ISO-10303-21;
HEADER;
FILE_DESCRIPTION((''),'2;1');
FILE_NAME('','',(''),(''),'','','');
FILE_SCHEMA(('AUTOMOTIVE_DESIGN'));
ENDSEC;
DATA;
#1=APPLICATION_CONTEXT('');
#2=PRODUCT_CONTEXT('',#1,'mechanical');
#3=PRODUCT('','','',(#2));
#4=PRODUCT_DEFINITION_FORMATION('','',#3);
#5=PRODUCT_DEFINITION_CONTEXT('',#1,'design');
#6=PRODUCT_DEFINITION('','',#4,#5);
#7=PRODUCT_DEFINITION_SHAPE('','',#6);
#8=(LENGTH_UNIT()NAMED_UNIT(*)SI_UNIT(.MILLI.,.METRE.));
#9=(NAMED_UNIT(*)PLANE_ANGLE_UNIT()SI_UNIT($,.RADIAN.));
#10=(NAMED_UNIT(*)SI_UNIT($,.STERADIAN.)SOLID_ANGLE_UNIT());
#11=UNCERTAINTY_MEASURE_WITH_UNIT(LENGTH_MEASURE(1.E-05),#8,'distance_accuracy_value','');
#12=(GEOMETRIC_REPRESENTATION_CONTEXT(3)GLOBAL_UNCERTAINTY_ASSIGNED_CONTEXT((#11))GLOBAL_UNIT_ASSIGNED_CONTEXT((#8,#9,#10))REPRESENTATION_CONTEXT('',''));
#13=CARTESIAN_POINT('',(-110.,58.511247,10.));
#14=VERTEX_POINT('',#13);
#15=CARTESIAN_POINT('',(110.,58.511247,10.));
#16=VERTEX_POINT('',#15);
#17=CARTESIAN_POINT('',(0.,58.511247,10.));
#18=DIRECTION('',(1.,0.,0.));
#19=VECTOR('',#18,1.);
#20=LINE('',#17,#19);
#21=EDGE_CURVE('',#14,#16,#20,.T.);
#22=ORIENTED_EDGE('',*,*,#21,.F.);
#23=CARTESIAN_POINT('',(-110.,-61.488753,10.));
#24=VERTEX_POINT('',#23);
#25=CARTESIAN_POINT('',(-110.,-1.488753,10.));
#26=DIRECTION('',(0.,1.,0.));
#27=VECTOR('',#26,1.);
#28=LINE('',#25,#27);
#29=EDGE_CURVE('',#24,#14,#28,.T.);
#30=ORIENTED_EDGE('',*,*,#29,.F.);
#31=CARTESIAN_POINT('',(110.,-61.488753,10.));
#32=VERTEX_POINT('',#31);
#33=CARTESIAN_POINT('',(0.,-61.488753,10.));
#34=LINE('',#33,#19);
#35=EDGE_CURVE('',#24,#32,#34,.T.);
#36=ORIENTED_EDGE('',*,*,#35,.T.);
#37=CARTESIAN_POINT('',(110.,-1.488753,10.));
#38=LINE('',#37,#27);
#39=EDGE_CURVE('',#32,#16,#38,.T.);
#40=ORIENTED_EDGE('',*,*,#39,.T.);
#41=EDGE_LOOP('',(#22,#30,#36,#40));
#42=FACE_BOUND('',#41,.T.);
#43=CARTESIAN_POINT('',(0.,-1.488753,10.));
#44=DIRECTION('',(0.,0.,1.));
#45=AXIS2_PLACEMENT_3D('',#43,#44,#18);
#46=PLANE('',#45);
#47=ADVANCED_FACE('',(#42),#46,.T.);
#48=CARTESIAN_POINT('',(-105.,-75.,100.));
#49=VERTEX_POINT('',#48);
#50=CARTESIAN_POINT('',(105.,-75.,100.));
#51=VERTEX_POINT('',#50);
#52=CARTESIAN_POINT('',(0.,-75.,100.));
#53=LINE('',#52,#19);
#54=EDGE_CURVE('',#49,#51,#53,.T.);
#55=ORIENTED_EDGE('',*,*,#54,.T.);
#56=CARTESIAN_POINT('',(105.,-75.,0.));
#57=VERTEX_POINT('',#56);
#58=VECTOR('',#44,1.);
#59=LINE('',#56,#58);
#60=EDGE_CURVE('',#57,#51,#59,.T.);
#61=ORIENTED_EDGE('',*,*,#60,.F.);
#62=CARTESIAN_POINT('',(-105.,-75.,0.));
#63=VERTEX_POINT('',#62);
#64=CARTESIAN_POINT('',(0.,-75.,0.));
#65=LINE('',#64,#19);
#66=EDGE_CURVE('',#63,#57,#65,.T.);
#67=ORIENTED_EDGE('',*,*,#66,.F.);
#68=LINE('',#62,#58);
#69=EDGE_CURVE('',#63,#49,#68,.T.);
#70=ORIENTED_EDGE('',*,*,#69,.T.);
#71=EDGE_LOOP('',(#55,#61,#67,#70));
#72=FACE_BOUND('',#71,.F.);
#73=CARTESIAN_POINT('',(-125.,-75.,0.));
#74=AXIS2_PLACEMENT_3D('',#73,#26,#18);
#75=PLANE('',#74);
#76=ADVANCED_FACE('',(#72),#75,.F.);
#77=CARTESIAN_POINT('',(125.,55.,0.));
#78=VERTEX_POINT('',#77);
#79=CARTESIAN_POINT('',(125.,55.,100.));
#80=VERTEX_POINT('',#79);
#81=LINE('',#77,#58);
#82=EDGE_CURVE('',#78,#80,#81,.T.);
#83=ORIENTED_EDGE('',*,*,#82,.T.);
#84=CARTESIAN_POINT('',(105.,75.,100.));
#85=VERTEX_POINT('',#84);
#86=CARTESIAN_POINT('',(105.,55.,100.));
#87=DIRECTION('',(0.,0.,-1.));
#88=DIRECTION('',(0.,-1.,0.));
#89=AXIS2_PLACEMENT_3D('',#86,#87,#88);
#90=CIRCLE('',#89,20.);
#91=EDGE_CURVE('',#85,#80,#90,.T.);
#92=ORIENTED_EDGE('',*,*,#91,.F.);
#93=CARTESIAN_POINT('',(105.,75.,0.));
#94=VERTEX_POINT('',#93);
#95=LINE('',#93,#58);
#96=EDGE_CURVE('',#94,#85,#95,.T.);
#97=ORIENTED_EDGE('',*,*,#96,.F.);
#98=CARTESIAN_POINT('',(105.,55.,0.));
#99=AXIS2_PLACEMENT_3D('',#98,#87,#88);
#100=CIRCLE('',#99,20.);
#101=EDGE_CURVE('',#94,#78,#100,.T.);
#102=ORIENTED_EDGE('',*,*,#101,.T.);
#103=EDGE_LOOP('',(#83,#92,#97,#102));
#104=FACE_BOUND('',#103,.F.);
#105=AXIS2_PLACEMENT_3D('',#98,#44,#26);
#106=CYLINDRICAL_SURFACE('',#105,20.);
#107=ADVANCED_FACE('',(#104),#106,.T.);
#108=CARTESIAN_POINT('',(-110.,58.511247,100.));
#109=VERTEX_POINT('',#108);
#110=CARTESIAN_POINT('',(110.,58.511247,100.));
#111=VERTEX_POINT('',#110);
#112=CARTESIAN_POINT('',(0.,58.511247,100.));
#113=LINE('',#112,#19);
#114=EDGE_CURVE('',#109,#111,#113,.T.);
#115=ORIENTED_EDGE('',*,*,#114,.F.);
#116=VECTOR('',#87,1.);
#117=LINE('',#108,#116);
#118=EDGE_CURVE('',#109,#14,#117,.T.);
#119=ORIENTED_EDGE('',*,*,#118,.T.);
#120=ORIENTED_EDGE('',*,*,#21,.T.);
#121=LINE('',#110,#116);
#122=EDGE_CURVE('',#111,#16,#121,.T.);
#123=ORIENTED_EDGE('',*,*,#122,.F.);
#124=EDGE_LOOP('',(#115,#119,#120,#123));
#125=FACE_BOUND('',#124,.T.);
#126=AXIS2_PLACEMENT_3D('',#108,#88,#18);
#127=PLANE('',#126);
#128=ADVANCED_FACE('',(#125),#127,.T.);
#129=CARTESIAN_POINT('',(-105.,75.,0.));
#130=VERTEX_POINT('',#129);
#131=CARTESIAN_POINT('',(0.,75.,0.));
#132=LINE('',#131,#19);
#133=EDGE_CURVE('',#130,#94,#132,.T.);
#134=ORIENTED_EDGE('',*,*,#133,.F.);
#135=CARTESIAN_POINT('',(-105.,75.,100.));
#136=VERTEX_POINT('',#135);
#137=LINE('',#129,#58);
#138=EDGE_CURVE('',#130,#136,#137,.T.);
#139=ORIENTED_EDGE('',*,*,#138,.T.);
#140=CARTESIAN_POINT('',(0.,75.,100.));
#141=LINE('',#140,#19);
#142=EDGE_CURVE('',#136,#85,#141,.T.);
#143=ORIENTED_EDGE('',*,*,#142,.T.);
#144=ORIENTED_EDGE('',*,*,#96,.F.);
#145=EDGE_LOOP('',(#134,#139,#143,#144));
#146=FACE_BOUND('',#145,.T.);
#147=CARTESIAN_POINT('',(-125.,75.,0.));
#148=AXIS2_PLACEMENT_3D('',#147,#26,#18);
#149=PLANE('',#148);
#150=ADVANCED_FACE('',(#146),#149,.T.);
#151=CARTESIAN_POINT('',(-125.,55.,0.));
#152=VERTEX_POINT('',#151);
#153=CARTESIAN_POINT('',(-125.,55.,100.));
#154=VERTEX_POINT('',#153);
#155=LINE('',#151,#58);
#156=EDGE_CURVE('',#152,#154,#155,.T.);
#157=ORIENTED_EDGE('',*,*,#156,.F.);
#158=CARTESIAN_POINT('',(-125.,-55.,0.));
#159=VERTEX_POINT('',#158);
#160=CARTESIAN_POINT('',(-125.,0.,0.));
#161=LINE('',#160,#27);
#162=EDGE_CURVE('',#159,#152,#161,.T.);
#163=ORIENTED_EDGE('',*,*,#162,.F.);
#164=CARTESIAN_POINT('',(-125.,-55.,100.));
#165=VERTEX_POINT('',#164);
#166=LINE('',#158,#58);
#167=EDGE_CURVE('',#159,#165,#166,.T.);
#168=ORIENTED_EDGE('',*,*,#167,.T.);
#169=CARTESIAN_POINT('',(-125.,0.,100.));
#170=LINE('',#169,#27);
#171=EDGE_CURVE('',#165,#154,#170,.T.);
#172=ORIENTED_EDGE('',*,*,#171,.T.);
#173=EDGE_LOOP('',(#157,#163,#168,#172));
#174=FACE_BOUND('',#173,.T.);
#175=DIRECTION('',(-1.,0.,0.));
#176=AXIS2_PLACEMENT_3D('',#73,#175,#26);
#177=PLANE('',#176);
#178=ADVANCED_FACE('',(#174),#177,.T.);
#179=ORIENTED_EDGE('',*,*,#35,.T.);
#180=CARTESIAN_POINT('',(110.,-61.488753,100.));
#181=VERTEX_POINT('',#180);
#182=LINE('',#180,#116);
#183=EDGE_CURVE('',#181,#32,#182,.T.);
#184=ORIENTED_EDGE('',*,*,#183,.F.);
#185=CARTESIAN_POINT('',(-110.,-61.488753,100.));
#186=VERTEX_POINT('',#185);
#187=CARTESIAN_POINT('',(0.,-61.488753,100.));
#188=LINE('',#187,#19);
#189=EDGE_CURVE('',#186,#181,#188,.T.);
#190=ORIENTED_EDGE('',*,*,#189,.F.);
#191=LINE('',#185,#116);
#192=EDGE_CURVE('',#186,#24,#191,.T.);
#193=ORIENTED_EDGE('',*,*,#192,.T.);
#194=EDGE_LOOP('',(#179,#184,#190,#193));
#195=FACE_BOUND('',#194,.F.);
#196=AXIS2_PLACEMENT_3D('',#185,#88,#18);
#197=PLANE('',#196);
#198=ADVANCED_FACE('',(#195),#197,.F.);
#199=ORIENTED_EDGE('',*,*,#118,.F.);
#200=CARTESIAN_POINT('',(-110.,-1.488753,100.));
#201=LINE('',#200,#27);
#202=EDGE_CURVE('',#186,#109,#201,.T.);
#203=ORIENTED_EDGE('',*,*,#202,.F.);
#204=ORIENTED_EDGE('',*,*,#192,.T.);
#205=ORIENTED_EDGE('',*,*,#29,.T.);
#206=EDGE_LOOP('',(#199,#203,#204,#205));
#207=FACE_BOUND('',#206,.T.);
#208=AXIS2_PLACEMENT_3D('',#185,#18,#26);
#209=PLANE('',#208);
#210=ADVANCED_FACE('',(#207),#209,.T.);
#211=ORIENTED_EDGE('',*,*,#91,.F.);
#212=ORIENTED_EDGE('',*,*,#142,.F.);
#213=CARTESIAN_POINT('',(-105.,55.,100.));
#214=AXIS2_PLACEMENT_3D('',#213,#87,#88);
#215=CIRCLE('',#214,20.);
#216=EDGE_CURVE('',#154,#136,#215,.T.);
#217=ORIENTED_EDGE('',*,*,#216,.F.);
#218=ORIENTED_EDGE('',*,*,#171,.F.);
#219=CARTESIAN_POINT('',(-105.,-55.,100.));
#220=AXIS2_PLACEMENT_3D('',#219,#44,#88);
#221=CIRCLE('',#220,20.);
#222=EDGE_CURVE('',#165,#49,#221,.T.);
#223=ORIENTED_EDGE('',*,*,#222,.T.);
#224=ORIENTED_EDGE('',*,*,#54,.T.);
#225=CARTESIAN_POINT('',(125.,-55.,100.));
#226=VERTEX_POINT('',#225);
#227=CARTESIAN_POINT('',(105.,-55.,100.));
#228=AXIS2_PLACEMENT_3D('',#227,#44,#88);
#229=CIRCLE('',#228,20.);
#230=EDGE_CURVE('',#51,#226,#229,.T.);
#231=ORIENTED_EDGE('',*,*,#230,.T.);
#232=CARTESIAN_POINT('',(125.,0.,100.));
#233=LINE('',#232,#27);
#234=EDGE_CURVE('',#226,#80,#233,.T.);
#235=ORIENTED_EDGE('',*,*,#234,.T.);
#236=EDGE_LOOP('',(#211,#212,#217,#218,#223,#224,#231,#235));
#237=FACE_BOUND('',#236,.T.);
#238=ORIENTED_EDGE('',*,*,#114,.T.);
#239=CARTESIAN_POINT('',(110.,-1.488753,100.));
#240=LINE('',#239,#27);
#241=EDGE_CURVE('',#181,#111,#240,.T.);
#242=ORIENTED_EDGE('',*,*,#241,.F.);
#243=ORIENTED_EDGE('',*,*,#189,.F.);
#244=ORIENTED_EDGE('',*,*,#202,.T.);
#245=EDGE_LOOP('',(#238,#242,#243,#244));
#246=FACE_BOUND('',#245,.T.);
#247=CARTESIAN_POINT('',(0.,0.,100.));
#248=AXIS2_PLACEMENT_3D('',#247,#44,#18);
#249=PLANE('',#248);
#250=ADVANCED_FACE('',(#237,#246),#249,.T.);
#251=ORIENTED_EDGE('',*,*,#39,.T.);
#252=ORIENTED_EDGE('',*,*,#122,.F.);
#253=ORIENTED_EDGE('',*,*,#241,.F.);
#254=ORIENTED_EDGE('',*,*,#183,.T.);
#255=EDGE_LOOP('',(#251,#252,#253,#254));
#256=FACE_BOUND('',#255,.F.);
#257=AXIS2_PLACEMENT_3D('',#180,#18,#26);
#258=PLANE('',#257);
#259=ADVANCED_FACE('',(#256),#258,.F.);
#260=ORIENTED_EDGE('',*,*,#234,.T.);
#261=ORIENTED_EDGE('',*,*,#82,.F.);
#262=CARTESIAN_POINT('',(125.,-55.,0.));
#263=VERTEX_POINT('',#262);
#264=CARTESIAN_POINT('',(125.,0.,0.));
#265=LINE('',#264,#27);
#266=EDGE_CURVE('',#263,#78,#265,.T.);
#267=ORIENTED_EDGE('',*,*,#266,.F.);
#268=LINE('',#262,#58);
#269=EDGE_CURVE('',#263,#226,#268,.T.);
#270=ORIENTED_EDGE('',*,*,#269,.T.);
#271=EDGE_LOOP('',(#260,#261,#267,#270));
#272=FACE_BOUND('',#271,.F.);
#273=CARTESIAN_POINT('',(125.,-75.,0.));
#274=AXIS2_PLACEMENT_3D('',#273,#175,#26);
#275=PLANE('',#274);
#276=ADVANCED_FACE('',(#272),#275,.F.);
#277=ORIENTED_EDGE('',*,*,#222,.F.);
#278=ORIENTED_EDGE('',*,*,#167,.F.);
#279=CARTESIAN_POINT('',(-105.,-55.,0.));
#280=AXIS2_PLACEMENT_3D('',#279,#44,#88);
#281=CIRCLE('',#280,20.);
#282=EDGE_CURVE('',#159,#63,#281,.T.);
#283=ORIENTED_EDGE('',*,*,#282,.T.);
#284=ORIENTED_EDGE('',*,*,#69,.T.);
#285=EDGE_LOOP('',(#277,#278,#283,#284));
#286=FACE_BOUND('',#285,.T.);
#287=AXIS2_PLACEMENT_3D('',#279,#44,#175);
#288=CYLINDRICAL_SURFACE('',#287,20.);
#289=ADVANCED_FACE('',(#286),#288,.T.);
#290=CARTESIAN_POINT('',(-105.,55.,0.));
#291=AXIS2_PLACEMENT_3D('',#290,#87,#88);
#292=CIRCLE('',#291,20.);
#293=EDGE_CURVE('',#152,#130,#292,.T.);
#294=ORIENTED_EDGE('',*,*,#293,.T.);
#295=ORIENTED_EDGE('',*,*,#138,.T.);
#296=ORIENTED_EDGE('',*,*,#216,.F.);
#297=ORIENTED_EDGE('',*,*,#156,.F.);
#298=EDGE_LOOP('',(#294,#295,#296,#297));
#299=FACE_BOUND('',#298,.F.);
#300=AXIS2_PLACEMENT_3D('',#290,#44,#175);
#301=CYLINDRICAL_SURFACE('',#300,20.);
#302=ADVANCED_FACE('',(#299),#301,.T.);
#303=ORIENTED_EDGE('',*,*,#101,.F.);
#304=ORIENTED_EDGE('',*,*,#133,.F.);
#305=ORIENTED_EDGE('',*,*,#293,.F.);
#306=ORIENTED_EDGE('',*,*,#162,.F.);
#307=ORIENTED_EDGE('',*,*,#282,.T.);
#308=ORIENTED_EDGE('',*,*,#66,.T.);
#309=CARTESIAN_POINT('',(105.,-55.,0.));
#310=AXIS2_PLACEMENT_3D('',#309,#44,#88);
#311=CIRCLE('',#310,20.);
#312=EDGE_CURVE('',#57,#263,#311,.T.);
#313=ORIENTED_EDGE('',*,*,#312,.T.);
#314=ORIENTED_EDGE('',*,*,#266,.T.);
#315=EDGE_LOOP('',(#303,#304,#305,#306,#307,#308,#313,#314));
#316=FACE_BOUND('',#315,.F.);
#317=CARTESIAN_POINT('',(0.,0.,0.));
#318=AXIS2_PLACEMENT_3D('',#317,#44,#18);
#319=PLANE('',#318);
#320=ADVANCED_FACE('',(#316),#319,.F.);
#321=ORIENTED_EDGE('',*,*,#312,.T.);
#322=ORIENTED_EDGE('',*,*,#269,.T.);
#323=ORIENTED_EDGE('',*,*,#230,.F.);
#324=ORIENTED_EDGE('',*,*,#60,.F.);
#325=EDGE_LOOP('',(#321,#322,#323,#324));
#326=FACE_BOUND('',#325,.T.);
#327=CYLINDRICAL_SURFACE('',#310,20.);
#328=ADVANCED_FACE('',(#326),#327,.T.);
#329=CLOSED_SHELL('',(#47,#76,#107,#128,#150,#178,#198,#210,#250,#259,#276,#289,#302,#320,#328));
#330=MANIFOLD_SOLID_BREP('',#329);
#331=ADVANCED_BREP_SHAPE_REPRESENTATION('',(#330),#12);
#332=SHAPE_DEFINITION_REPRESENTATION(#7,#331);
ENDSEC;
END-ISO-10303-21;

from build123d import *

# Parameters (mm, degrees)
F0_W     = 250
F0_H     = 150
F1_DEPTH = 100
F2_W     = 220
F2_H     = 120
F3_DEPTH = 90
F4_R     = 20


with BuildPart() as f1:
    # F0 (on Top) → F1 (new body)
    with BuildSketch(Plane.XY):
        Rectangle(F0_W, F0_H)
    extrude(amount=F1_DEPTH)

    # F2 (on face) → F3 (cut)
    with BuildSketch(Plane.XY.offset(100)):
        with Locations((0, -1.488753)):
            Rectangle(F2_W, F2_H)
    extrude(amount=-F3_DEPTH, mode=Mode.SUBTRACT)

    # F4
    f4_edges = [f1.edges().sort_by_distance(p)[0] for p in [
        (125, -75, 50),
        (125, 75, 50),
        (-125, 75, 50),
        (-125, -75, 50),
    ]]
    fillet(f4_edges, radius=F4_R)


solid = f1.part
